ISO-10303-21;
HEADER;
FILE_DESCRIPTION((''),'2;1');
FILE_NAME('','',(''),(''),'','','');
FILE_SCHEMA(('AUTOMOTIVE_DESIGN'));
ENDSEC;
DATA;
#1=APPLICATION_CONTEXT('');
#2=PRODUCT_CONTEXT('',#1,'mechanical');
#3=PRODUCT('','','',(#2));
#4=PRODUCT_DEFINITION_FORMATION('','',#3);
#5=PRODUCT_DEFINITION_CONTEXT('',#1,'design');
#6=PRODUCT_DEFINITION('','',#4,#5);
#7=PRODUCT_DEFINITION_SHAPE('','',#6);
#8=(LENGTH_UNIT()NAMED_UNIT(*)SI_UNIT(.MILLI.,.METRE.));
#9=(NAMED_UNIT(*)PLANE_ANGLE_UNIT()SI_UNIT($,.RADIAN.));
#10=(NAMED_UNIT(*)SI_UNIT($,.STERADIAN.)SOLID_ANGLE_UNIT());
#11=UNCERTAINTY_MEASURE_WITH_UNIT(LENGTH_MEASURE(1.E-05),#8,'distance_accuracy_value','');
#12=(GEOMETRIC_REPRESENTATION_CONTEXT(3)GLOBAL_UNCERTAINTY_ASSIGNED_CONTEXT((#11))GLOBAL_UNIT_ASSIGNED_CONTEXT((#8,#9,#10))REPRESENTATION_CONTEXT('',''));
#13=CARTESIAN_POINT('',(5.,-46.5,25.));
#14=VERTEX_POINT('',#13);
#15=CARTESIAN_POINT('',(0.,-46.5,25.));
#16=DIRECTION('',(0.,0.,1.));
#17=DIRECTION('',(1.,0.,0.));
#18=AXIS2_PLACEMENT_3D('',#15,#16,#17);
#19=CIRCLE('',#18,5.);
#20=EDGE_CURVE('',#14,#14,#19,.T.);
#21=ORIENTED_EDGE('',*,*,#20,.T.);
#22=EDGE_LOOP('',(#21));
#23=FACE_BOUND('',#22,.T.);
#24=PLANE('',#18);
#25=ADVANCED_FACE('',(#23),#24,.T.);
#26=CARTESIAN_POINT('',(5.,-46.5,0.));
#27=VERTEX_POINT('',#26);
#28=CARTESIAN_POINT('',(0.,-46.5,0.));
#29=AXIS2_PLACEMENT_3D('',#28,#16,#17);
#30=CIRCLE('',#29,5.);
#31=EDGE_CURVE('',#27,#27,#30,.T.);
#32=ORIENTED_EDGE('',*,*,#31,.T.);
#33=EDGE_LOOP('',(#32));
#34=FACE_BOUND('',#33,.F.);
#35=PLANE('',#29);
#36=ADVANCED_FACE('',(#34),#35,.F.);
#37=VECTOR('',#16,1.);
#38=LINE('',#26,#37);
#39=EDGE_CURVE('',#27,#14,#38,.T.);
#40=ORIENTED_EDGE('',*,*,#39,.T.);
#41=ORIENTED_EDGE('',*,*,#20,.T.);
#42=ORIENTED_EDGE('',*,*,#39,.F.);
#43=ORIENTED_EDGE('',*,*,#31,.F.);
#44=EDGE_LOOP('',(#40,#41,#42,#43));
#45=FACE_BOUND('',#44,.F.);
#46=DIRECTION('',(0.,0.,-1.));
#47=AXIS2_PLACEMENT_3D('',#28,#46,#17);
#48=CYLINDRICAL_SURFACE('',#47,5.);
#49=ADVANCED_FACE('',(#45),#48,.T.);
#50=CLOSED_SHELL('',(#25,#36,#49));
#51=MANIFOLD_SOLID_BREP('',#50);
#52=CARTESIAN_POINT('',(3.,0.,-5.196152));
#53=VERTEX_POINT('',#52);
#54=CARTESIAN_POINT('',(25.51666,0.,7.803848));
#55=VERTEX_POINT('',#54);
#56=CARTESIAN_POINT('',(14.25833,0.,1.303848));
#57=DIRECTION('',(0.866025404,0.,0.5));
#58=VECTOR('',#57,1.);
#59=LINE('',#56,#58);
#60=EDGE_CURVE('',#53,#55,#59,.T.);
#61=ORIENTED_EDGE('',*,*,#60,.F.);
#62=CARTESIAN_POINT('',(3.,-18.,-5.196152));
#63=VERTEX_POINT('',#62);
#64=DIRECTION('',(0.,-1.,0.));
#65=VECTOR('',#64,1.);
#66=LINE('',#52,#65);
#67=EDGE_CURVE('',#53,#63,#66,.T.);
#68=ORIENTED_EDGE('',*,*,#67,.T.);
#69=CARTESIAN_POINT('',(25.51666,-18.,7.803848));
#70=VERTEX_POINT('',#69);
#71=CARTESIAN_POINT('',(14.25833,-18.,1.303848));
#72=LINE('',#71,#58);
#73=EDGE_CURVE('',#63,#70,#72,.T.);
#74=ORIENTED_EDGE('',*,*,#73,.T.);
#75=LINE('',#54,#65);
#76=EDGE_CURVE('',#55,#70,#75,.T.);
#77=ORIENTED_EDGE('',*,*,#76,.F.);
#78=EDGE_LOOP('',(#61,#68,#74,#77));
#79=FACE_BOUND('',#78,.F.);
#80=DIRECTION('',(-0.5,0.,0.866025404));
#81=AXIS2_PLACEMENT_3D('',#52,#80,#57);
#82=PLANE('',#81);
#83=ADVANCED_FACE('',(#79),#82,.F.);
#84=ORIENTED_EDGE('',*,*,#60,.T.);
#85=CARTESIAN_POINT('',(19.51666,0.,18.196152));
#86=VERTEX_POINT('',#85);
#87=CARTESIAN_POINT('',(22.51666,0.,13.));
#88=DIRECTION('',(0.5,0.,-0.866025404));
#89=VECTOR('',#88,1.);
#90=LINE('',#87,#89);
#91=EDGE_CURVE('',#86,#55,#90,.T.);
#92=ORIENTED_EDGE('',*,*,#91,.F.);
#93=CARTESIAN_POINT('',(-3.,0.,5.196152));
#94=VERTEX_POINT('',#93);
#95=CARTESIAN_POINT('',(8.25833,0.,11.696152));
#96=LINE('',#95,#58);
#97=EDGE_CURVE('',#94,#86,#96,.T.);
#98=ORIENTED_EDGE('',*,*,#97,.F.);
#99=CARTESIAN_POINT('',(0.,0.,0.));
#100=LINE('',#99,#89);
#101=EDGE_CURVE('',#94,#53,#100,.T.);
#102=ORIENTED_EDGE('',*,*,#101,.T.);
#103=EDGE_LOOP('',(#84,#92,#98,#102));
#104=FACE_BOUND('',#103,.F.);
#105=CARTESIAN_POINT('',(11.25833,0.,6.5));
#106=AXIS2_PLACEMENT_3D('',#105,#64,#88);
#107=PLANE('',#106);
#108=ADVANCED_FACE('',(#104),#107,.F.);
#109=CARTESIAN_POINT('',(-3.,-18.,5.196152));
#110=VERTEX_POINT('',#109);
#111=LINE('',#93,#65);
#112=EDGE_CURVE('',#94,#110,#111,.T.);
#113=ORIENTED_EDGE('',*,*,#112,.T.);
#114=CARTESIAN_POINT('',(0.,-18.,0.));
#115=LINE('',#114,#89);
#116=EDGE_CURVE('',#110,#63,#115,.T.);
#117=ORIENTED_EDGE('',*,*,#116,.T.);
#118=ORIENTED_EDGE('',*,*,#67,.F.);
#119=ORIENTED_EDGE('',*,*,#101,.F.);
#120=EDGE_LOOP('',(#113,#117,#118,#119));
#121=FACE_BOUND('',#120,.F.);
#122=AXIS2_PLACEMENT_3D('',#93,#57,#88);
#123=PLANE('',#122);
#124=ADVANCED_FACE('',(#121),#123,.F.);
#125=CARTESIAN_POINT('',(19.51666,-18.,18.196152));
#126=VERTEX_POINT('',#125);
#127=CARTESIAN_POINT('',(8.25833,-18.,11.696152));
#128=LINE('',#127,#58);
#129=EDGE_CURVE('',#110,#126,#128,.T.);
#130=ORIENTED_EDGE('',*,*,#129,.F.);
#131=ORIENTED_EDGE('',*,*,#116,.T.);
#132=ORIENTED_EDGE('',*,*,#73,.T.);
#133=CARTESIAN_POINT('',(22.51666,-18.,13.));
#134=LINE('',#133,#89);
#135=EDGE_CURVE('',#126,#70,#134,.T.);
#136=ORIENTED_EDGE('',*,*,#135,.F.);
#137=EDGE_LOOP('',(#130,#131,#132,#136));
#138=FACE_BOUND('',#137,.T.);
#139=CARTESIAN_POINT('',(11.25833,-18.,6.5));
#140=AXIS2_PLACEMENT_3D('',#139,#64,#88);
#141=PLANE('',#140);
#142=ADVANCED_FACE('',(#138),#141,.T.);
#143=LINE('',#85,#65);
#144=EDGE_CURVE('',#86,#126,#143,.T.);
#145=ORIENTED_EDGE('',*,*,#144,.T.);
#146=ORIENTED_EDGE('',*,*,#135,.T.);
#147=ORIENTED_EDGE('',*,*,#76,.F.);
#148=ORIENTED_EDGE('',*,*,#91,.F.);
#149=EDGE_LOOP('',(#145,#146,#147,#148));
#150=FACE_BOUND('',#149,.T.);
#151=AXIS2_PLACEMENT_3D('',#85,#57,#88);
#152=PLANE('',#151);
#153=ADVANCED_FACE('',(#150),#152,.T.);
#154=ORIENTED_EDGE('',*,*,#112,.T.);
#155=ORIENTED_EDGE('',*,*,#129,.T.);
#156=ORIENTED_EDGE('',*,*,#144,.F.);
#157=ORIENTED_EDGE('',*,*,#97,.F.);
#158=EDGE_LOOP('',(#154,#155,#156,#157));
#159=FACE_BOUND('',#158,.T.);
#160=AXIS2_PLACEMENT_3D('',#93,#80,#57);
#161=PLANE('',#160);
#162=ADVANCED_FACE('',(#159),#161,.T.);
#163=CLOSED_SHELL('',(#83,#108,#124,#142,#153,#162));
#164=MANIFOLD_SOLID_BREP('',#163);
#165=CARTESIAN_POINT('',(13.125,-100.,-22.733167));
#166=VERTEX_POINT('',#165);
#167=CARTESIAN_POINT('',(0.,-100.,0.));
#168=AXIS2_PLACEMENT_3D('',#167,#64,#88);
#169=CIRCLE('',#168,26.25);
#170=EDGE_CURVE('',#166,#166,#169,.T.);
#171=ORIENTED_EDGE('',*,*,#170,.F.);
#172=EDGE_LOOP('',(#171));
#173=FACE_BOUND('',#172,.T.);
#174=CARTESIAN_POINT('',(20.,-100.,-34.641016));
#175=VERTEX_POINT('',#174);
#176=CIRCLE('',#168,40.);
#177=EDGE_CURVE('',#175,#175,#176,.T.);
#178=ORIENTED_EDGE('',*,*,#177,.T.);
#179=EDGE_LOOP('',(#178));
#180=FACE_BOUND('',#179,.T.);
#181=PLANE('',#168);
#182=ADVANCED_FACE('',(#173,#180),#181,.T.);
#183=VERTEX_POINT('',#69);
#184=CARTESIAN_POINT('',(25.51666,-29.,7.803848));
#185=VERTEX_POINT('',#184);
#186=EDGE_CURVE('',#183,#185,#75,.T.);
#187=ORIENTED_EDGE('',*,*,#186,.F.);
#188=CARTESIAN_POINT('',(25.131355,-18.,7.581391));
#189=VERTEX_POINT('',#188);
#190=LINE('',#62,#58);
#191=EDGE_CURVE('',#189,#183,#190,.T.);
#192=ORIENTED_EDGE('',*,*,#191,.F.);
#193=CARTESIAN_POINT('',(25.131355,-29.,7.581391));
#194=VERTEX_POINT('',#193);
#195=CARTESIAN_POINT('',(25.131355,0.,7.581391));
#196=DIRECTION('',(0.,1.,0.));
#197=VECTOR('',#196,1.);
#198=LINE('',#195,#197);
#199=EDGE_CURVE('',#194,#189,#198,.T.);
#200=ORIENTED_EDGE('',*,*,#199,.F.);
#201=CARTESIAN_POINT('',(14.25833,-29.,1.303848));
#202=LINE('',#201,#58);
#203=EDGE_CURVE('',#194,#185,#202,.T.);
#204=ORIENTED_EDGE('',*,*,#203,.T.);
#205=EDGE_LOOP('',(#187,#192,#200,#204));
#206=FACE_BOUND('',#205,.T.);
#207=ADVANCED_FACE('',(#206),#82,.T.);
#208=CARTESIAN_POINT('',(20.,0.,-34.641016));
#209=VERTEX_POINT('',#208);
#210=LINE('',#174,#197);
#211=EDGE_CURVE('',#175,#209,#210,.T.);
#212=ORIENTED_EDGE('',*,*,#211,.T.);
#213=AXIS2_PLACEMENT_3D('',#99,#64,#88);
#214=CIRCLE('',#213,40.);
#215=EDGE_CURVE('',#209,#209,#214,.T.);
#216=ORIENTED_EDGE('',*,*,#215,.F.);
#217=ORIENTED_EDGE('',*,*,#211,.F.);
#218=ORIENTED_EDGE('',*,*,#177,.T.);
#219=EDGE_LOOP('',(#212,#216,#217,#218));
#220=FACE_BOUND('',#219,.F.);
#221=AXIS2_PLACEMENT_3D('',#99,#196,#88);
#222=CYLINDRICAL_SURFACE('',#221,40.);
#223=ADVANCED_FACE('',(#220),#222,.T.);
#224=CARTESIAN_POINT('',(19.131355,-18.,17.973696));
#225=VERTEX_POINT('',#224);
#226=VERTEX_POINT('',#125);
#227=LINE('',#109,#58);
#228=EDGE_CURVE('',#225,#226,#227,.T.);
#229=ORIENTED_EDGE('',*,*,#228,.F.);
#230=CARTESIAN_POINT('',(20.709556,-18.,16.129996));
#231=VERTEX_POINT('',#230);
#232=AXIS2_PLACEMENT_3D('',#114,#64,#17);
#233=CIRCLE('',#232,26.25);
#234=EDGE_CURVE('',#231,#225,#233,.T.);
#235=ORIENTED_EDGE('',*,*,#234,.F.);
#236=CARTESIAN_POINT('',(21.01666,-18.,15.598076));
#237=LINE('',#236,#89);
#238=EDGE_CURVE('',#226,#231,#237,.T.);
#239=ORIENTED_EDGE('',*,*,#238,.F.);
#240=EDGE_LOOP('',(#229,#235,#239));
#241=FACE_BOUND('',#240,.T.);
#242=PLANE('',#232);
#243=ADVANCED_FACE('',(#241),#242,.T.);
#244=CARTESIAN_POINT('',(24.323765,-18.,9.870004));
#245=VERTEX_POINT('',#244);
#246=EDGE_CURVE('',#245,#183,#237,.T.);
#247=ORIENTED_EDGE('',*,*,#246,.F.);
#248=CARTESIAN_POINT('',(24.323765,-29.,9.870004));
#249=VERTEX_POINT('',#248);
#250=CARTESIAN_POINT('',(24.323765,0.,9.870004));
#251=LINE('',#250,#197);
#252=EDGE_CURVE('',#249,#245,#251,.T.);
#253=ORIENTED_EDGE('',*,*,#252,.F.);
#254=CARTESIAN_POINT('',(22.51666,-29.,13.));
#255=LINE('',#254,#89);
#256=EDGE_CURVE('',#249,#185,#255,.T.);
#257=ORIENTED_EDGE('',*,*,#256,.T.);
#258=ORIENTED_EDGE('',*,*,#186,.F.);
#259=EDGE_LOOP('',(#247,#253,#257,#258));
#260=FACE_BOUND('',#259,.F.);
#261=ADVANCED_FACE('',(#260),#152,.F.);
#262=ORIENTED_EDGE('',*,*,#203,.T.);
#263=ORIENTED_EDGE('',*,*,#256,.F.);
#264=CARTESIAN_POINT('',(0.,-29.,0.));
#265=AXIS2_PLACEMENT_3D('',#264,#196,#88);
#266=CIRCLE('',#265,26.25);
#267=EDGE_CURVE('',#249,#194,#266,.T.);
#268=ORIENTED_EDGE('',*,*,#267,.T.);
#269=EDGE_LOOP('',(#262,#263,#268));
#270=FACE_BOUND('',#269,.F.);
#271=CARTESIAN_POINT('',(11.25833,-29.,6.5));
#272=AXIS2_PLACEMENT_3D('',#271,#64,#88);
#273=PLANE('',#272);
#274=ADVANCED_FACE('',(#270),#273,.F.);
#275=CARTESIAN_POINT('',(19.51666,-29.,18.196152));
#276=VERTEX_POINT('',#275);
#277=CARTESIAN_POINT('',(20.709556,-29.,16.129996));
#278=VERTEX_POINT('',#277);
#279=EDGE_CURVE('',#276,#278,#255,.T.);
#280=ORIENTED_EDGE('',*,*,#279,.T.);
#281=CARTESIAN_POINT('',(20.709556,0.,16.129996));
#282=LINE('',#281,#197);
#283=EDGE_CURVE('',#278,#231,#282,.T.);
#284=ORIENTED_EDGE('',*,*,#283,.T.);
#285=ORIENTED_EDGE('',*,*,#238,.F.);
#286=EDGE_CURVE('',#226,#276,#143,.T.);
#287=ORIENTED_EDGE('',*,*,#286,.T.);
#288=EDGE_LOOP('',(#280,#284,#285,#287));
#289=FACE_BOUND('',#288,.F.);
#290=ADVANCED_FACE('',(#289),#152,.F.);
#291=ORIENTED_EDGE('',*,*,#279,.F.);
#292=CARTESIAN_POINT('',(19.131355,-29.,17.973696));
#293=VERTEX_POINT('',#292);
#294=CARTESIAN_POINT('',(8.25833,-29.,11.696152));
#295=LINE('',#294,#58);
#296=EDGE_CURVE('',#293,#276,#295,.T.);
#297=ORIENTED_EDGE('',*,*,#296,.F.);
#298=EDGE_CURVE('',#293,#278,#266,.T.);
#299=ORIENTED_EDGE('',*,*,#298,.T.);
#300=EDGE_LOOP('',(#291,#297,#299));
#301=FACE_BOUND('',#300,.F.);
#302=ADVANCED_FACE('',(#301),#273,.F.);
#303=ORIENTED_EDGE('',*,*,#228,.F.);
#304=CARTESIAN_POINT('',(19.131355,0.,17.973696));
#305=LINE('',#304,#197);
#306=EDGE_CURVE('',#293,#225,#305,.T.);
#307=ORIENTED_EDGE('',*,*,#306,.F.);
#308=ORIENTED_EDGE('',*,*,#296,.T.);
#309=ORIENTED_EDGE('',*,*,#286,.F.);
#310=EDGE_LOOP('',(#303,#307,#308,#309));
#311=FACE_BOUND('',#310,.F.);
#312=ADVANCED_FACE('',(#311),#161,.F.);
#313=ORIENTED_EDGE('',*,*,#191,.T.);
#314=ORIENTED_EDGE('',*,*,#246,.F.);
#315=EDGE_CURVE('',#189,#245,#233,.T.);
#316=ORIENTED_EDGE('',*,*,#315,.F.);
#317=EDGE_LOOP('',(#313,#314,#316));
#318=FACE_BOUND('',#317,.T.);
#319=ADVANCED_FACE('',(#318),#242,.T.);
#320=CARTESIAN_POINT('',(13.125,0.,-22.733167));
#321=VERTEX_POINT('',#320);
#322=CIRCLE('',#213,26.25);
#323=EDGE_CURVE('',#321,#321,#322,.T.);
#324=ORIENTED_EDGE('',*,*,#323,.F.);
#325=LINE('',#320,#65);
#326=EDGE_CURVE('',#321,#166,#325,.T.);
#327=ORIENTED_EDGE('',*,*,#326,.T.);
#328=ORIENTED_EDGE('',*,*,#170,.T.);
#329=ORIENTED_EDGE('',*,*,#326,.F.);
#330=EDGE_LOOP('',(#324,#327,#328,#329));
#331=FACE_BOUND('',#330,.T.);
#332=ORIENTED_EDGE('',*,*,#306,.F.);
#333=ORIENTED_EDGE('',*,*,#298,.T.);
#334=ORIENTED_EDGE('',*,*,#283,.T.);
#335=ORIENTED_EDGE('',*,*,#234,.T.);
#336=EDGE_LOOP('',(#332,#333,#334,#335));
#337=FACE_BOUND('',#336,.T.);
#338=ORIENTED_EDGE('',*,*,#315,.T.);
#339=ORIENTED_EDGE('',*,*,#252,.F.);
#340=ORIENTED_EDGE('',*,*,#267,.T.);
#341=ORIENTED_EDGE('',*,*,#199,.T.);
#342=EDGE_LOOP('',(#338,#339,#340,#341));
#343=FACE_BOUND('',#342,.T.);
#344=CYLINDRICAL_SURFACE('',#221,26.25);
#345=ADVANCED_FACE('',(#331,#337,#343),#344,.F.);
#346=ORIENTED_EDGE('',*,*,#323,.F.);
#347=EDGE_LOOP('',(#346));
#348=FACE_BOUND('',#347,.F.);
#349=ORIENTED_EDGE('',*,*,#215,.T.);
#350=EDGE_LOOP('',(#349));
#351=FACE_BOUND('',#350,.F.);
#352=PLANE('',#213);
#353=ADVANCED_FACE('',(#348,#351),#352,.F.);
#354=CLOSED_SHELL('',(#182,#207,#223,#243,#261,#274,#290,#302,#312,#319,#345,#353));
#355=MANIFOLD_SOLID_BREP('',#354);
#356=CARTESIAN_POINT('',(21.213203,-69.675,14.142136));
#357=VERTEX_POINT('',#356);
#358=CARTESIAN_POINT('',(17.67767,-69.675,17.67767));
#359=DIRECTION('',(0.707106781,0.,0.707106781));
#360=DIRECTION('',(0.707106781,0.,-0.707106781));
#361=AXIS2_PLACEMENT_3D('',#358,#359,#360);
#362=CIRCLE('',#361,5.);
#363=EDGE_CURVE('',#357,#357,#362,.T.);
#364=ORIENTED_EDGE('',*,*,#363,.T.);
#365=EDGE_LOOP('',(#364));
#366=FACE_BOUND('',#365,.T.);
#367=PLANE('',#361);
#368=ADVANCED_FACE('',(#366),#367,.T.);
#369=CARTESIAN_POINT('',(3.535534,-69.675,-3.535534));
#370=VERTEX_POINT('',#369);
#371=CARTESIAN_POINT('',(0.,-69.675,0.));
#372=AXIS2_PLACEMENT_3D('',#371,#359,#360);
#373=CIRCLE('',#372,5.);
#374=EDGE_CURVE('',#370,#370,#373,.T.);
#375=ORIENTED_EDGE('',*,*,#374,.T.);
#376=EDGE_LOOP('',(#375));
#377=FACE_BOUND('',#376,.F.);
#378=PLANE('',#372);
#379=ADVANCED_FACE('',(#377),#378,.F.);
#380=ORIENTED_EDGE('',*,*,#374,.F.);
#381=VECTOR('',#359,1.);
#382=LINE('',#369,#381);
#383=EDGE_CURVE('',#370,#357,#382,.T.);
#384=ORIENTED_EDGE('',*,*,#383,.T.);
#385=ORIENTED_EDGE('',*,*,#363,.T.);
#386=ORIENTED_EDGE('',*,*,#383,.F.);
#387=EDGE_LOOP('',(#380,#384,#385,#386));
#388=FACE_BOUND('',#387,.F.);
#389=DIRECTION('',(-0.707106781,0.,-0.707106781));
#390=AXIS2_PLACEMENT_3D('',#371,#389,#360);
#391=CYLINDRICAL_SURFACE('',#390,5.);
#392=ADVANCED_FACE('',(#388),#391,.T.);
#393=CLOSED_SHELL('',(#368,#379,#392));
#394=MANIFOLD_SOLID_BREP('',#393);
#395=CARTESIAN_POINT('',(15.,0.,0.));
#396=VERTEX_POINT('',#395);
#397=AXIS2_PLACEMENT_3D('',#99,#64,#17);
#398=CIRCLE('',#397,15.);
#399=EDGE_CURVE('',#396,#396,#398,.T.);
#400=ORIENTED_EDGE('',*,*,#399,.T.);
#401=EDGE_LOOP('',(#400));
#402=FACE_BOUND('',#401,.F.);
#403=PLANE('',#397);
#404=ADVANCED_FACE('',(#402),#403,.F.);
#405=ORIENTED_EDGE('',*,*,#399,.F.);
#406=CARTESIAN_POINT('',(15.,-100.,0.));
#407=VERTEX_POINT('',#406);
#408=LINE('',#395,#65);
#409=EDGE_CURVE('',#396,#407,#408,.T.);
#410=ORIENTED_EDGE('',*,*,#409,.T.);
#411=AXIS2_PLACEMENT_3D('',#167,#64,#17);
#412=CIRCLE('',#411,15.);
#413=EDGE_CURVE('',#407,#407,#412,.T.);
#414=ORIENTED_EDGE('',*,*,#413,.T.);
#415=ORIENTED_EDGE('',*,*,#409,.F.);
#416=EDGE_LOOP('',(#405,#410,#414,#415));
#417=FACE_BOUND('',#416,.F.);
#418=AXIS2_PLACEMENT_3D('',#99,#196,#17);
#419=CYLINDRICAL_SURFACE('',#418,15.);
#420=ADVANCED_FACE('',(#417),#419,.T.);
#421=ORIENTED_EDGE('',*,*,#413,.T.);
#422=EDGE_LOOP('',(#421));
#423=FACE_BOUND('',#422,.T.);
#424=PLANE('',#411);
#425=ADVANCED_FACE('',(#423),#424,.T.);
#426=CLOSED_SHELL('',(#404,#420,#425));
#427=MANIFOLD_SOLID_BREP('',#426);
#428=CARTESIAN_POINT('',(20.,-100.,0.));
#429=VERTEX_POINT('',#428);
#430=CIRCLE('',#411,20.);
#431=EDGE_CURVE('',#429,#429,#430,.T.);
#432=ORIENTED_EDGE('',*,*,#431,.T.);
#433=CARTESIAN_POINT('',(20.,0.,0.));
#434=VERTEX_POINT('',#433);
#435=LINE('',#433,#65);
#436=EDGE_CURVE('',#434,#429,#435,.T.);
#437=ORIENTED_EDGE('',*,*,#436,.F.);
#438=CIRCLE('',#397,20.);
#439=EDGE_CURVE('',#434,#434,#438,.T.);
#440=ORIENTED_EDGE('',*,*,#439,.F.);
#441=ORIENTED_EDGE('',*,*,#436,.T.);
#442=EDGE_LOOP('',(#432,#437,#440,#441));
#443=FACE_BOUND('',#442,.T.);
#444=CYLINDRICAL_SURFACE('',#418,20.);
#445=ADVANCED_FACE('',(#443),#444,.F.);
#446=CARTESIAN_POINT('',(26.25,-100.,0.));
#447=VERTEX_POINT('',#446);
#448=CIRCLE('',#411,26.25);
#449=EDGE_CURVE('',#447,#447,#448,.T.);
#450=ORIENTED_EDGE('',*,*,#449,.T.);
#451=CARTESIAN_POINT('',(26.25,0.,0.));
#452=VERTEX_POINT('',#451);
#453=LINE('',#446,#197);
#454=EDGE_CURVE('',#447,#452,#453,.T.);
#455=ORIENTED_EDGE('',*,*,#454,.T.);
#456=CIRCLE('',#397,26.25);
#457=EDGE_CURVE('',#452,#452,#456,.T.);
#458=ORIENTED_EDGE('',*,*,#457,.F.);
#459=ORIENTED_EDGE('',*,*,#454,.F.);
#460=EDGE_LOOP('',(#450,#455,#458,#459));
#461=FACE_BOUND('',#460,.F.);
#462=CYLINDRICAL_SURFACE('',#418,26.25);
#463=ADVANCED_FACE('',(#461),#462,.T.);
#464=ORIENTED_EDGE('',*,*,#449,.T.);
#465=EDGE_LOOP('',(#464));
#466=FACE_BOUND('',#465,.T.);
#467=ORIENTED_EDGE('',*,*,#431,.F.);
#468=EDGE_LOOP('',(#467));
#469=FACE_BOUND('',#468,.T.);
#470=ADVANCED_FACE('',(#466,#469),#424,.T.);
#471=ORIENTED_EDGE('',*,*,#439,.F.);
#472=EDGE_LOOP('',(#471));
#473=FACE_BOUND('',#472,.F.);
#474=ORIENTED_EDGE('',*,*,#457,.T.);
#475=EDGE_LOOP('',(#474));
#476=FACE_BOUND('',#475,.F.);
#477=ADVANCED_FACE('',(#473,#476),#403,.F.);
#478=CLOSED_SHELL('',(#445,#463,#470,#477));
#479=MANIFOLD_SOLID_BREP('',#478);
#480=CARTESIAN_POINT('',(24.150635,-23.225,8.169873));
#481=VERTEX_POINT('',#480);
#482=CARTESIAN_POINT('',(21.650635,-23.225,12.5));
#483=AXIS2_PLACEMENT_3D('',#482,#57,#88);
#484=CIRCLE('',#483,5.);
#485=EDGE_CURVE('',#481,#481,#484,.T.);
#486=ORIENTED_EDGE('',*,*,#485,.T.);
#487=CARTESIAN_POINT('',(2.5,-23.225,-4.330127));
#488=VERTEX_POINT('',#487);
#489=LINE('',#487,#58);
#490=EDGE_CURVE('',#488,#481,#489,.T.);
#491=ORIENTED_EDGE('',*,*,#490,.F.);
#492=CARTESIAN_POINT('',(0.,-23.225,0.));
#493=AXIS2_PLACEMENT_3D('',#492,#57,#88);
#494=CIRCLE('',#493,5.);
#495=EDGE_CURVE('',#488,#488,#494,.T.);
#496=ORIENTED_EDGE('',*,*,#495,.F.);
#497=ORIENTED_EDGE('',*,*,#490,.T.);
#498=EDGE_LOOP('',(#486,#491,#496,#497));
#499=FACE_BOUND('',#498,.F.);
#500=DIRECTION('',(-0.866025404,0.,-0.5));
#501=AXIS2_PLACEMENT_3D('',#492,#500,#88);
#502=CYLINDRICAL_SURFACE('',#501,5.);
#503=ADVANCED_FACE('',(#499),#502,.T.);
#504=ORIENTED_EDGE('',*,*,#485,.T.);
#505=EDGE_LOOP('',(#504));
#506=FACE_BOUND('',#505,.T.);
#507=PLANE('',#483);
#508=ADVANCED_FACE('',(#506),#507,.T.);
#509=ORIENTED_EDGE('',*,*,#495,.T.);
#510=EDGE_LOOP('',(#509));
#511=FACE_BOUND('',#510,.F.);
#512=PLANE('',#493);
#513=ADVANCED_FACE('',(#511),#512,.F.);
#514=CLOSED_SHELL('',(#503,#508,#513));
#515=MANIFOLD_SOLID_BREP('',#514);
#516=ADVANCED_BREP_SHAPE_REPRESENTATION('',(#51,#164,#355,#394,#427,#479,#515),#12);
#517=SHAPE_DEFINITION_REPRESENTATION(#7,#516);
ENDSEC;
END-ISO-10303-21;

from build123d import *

# Parameters (mm, degrees)
F0_R      = 15
F1_DEPTH  = 100
F2_R      = 5
F3_DEPTH  = 25
F4_ANGLE  = 60
F5_R      = 5
F6_DEPTH  = 25
F7_R      = 5
F8_DEPTH  = 25
F9_ANGLE  = 45
F10_R     = 40
F10_R_2   = 26.25
F11_DEPTH = 100
F12_W     = 12
F12_H     = 26
F13_DEPTH = 29
F14_ANGLE = 60
F15_DEPTH = 18
F16_ANGLE = -60
F17_DEPTH = 18
F10_R_3   = 20
F18_DEPTH = 100
F19_DEPTH = 60.6


with BuildPart() as f1:
    # F0 (on Front) → F1 (new body)
    with BuildSketch(Plane.XZ):
        Circle(F0_R)
    extrude(amount=F1_DEPTH)


with BuildPart() as f3:
    # F2 (on Top) → F3 (new body)
    with BuildSketch(Plane.XY):
        with Locations((0, -23.225)):
            Circle(F2_R)
    extrude(amount=F3_DEPTH)


with BuildPart() as f3_1:
    # F4: moved
    add(f3.part.rotate(Axis((0, 0, 0), (0, 1, 0)), F4_ANGLE))


with BuildPart() as f6:
    # F5 (on Top) → F6 (new body)
    with BuildSketch(Plane.XY):
        with Locations((0, -46.5)):
            Circle(F5_R)
    extrude(amount=F6_DEPTH)


with BuildPart() as f8:
    # F7 (on Top) → F8 (new body)
    with BuildSketch(Plane.XY):
        with Locations((0, -69.675)):
            Circle(F7_R)
    extrude(amount=F8_DEPTH)


with BuildPart() as f8_1:
    # F9: moved
    add(f8.part.rotate(Axis((0, 0, 0), (0, 1, 0)), F9_ANGLE))


with BuildPart() as f11:
    # F10 (on Front) → F11 (new body)
    with BuildSketch(Plane.XZ):
        Circle(F10_R)
        Circle(F10_R_2, mode=Mode.SUBTRACT)
    extrude(amount=F11_DEPTH)

    # F12 (on Front) → F13 (cut)
    with BuildSketch(Plane.XZ):
        with Locations((0, 13)):
            Rectangle(F12_W, F12_H)
    extrude(amount=F13_DEPTH, mode=Mode.SUBTRACT)


with BuildPart() as f11_1:
    # F14: moved
    add(f11.part.rotate(Axis((0, 0, 0), (0, 1, 0)), F14_ANGLE))

    # F10 (on Front) → F17 (join)
    with BuildSketch(Plane.XZ):
        Circle(F10_R)
        Circle(F10_R_2, mode=Mode.SUBTRACT)
    extrude(amount=F17_DEPTH)


with BuildPart() as f15:
    # F12 (on Front) → F15 (new body)
    with BuildSketch(Plane.XZ):
        with Locations((0, 13)):
            Rectangle(F12_W, F12_H)
    extrude(amount=F15_DEPTH)


with BuildPart() as f15_1:
    # F16: moved
    add(f15.part.rotate(Axis((0, 0, 0), (0, -1, 0)), F16_ANGLE))


with BuildPart() as f18:
    # F10 (on Front) → F18 (new body)
    with BuildSketch(Plane.XZ):
        Circle(F10_R_2)
        Circle(F10_R_3, mode=Mode.SUBTRACT)
    extrude(amount=F18_DEPTH)

    # F19 (add): a face of the model
    f19_faces = [f18.faces().sort_by_distance(p)[0] for p in [
        (-25.5075378798, 0, 0),
    ]]
    extrude(f19_faces, amount=-F19_DEPTH)


solid = Compound([f1.part, f3_1.part, f6.part, f8_1.part, f11_1.part, f15_1.part, f18.part])
